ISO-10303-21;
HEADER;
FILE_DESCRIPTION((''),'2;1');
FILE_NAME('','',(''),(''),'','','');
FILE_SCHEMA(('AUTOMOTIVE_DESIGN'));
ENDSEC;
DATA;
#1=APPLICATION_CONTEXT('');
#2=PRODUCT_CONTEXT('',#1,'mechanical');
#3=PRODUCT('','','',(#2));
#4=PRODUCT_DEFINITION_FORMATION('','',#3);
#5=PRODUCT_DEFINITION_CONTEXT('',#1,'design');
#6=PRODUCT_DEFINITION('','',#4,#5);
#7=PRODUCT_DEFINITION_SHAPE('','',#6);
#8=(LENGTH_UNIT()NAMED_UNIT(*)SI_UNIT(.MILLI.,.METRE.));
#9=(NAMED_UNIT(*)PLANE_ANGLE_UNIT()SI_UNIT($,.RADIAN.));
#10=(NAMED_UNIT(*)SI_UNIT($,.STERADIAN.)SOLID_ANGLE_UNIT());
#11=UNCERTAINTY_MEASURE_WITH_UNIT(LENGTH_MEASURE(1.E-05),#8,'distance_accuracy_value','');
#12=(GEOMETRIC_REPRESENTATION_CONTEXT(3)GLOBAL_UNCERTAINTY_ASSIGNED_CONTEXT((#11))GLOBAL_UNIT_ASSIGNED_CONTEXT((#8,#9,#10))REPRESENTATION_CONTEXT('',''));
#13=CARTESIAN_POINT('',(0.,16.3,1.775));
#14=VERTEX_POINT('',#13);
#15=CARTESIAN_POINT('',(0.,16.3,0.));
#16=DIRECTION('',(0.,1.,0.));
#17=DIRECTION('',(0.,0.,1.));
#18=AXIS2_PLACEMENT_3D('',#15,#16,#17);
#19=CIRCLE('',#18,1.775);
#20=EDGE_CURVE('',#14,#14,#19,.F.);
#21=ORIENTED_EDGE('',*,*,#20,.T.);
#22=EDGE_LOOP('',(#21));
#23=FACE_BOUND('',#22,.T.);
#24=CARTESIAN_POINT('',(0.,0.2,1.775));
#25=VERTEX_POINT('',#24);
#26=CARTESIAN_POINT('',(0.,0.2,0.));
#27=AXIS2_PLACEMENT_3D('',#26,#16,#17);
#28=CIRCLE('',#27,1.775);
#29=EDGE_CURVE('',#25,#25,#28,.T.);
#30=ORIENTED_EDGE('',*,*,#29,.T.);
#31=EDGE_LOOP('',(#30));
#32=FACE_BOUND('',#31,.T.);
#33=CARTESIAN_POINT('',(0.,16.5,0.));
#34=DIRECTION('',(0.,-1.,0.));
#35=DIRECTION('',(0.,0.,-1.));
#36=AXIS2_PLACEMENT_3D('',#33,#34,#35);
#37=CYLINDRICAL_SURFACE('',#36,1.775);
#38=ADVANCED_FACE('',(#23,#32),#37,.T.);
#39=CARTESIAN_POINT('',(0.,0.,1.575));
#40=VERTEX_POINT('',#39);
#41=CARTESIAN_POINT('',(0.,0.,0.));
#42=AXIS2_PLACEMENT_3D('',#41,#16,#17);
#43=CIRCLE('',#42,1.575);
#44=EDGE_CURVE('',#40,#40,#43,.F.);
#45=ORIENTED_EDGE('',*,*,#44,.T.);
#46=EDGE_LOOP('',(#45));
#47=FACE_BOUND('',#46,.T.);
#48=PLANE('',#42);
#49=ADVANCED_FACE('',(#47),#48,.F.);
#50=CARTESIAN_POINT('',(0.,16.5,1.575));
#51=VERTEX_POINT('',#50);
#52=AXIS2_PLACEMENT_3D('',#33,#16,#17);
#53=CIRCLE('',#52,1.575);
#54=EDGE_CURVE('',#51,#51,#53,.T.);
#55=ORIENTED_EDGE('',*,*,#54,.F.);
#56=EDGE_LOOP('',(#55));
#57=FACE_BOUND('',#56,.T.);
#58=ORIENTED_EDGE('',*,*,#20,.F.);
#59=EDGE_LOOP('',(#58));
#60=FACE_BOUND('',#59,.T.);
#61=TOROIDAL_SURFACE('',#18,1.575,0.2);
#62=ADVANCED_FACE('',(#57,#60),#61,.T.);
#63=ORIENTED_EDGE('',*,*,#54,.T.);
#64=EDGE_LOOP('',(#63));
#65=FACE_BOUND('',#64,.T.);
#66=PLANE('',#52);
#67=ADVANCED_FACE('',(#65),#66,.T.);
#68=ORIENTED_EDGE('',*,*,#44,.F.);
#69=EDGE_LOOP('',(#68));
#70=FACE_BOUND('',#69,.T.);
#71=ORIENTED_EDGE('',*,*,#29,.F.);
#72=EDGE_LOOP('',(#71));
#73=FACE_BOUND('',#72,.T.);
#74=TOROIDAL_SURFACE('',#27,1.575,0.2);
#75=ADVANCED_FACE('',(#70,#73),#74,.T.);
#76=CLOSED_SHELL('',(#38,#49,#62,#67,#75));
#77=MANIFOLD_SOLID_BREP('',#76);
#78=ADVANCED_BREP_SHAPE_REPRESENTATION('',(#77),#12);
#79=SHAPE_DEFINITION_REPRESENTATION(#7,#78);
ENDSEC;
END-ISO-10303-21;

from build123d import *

# Parameters (mm, degrees)
SKETCH1_R           = 1.775
BOSS_EXTRUDE1_DEPTH = 16.5
FILLET1_R           = 0.2


with BuildPart() as part:
    # Sketch1 → Boss-Extrude1 (new body)
    with BuildSketch(Plane(origin=(0, 0, 0), x_dir=(1, 0, 0), z_dir=(0, 1, 0))):
        Circle(SKETCH1_R)
    extrude(amount=BOSS_EXTRUDE1_DEPTH)

    # Fillet1
    fillet1_edges = [part.edges().sort_by_distance(p)[0] for p in [
        (-1.775, 0, 0),
        (-1.775, 16.5, 0),
    ]]
    fillet(fillet1_edges, radius=FILLET1_R)


solid = part.part
